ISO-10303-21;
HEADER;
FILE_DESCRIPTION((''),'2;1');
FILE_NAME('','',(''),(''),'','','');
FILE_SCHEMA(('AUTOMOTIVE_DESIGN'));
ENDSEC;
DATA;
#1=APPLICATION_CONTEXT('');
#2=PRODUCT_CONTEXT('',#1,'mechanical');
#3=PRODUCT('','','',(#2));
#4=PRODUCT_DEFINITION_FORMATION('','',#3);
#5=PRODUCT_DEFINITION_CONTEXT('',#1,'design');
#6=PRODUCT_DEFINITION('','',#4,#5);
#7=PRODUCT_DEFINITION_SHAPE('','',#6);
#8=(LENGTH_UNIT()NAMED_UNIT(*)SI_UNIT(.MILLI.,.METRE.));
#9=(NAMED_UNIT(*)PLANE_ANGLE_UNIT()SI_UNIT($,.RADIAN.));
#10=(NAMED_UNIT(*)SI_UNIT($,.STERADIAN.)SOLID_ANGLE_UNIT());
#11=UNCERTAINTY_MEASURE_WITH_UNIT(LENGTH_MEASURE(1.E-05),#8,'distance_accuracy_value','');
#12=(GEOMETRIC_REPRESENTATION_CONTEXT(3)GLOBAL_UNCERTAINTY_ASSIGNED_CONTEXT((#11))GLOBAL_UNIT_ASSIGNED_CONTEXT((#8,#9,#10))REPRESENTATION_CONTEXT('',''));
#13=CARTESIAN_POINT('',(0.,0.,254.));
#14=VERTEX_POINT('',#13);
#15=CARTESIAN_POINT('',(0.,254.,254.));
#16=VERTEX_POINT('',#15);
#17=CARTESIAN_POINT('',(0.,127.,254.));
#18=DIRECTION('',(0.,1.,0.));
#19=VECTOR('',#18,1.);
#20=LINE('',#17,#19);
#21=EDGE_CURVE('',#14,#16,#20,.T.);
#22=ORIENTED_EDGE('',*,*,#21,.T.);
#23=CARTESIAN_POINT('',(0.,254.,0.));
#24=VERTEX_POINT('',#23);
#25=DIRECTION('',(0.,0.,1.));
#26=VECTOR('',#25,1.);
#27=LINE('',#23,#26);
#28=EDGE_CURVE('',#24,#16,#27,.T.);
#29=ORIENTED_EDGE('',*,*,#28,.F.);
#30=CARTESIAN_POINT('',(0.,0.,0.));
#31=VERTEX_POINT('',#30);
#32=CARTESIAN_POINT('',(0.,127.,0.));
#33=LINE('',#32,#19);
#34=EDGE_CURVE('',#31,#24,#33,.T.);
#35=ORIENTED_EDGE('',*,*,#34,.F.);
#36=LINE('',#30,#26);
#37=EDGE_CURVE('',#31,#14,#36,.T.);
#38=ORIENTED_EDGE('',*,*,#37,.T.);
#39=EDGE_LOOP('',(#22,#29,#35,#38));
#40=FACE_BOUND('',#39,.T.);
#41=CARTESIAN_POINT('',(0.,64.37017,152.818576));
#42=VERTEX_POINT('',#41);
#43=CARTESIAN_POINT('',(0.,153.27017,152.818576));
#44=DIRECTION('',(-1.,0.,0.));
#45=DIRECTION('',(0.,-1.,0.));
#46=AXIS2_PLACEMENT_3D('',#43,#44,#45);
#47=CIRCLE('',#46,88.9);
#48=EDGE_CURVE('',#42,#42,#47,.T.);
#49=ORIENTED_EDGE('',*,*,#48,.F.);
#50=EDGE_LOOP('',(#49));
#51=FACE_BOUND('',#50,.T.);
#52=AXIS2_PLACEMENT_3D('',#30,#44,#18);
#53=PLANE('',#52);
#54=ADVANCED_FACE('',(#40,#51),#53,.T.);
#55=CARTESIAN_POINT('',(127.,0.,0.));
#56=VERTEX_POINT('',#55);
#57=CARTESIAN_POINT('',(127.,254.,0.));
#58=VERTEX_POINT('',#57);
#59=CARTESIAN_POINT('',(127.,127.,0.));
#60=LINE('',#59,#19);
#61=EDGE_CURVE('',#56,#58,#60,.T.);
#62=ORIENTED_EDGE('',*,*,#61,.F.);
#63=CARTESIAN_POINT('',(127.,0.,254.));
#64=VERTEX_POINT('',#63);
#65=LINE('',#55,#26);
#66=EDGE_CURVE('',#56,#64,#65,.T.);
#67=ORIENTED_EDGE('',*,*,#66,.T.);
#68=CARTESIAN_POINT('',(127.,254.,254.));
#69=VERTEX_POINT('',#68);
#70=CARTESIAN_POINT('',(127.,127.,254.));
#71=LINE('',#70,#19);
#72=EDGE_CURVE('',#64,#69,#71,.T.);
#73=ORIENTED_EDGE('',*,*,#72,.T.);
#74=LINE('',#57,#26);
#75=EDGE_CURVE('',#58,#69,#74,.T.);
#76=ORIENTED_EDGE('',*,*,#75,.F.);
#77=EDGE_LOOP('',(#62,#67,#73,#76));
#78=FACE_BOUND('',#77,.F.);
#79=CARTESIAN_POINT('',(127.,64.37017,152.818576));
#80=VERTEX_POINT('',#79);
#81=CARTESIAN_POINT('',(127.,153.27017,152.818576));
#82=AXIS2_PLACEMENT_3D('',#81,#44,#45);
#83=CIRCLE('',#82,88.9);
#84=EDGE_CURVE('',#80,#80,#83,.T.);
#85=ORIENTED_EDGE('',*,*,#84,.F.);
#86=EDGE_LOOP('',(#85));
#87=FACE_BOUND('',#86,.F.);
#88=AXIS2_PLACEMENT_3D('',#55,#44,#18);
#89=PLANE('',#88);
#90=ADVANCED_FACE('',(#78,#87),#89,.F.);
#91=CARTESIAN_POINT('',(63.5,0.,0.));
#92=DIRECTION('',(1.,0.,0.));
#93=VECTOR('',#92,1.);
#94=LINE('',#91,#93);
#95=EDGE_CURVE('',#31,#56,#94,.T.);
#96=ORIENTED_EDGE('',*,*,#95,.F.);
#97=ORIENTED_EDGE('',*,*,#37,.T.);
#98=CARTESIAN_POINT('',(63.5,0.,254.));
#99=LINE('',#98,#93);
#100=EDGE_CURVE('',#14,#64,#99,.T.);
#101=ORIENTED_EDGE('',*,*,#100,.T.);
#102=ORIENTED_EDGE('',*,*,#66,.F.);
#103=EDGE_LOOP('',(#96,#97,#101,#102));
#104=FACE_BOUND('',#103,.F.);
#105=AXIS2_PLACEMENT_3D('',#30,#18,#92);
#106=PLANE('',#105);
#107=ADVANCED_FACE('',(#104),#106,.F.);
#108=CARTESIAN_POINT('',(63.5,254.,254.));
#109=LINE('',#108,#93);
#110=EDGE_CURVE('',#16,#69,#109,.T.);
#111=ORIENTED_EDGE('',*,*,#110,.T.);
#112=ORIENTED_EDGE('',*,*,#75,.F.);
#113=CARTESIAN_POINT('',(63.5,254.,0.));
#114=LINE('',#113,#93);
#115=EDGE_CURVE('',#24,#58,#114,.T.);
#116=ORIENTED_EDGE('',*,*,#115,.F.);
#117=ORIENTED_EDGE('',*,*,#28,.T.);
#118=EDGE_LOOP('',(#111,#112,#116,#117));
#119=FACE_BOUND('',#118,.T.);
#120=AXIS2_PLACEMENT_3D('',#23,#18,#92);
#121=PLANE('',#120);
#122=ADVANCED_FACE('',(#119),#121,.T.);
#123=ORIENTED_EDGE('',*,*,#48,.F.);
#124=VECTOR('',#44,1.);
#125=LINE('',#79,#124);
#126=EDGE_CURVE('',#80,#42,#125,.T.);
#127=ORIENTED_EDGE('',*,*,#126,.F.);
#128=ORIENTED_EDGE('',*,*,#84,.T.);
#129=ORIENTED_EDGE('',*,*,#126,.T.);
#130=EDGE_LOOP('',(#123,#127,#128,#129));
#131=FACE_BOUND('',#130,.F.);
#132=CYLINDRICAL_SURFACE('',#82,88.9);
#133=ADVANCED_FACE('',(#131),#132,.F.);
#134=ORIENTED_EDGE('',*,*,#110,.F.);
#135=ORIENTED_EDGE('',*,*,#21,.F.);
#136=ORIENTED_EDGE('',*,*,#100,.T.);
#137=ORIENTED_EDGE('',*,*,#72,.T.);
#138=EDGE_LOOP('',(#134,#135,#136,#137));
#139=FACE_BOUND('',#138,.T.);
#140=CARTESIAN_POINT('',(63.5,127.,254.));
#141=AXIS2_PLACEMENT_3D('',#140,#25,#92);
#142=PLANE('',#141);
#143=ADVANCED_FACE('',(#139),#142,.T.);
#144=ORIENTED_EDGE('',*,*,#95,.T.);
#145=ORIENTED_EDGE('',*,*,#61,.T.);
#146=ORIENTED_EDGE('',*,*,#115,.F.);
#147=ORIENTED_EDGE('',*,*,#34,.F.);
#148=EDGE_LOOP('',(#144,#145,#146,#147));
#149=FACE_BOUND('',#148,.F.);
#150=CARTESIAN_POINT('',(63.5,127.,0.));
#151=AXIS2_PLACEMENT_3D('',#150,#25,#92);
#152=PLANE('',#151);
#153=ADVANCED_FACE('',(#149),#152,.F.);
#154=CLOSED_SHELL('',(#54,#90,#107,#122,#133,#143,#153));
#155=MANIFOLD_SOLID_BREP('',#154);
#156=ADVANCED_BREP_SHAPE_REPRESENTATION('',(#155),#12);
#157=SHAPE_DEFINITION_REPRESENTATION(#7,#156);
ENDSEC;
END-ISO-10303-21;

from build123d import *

# Parameters (mm, degrees)
F0_W           = 127
F0_H           = 254
F1_DEPTH       = 254
F3_D           = 127
F3_CBORE_D     = 177.8
F3_CBORE_DEPTH = 127


with BuildPart() as f1:
    # F0 (on Top) → F1 (new body)
    with BuildSketch(Plane.XY):
        with Locations((63.5, 127)):
            Rectangle(F0_W, F0_H)
    extrude(amount=F1_DEPTH)

    # F3 (through all)
    with Locations(Plane(origin=(0, 0, 0), x_dir=(0, -1, 0), z_dir=(-1, 0, 0))):
        with Locations((-153.27017, 152.818576)):
            CounterBoreHole(F3_D / 2, F3_CBORE_D / 2, F3_CBORE_DEPTH)


solid = f1.part
